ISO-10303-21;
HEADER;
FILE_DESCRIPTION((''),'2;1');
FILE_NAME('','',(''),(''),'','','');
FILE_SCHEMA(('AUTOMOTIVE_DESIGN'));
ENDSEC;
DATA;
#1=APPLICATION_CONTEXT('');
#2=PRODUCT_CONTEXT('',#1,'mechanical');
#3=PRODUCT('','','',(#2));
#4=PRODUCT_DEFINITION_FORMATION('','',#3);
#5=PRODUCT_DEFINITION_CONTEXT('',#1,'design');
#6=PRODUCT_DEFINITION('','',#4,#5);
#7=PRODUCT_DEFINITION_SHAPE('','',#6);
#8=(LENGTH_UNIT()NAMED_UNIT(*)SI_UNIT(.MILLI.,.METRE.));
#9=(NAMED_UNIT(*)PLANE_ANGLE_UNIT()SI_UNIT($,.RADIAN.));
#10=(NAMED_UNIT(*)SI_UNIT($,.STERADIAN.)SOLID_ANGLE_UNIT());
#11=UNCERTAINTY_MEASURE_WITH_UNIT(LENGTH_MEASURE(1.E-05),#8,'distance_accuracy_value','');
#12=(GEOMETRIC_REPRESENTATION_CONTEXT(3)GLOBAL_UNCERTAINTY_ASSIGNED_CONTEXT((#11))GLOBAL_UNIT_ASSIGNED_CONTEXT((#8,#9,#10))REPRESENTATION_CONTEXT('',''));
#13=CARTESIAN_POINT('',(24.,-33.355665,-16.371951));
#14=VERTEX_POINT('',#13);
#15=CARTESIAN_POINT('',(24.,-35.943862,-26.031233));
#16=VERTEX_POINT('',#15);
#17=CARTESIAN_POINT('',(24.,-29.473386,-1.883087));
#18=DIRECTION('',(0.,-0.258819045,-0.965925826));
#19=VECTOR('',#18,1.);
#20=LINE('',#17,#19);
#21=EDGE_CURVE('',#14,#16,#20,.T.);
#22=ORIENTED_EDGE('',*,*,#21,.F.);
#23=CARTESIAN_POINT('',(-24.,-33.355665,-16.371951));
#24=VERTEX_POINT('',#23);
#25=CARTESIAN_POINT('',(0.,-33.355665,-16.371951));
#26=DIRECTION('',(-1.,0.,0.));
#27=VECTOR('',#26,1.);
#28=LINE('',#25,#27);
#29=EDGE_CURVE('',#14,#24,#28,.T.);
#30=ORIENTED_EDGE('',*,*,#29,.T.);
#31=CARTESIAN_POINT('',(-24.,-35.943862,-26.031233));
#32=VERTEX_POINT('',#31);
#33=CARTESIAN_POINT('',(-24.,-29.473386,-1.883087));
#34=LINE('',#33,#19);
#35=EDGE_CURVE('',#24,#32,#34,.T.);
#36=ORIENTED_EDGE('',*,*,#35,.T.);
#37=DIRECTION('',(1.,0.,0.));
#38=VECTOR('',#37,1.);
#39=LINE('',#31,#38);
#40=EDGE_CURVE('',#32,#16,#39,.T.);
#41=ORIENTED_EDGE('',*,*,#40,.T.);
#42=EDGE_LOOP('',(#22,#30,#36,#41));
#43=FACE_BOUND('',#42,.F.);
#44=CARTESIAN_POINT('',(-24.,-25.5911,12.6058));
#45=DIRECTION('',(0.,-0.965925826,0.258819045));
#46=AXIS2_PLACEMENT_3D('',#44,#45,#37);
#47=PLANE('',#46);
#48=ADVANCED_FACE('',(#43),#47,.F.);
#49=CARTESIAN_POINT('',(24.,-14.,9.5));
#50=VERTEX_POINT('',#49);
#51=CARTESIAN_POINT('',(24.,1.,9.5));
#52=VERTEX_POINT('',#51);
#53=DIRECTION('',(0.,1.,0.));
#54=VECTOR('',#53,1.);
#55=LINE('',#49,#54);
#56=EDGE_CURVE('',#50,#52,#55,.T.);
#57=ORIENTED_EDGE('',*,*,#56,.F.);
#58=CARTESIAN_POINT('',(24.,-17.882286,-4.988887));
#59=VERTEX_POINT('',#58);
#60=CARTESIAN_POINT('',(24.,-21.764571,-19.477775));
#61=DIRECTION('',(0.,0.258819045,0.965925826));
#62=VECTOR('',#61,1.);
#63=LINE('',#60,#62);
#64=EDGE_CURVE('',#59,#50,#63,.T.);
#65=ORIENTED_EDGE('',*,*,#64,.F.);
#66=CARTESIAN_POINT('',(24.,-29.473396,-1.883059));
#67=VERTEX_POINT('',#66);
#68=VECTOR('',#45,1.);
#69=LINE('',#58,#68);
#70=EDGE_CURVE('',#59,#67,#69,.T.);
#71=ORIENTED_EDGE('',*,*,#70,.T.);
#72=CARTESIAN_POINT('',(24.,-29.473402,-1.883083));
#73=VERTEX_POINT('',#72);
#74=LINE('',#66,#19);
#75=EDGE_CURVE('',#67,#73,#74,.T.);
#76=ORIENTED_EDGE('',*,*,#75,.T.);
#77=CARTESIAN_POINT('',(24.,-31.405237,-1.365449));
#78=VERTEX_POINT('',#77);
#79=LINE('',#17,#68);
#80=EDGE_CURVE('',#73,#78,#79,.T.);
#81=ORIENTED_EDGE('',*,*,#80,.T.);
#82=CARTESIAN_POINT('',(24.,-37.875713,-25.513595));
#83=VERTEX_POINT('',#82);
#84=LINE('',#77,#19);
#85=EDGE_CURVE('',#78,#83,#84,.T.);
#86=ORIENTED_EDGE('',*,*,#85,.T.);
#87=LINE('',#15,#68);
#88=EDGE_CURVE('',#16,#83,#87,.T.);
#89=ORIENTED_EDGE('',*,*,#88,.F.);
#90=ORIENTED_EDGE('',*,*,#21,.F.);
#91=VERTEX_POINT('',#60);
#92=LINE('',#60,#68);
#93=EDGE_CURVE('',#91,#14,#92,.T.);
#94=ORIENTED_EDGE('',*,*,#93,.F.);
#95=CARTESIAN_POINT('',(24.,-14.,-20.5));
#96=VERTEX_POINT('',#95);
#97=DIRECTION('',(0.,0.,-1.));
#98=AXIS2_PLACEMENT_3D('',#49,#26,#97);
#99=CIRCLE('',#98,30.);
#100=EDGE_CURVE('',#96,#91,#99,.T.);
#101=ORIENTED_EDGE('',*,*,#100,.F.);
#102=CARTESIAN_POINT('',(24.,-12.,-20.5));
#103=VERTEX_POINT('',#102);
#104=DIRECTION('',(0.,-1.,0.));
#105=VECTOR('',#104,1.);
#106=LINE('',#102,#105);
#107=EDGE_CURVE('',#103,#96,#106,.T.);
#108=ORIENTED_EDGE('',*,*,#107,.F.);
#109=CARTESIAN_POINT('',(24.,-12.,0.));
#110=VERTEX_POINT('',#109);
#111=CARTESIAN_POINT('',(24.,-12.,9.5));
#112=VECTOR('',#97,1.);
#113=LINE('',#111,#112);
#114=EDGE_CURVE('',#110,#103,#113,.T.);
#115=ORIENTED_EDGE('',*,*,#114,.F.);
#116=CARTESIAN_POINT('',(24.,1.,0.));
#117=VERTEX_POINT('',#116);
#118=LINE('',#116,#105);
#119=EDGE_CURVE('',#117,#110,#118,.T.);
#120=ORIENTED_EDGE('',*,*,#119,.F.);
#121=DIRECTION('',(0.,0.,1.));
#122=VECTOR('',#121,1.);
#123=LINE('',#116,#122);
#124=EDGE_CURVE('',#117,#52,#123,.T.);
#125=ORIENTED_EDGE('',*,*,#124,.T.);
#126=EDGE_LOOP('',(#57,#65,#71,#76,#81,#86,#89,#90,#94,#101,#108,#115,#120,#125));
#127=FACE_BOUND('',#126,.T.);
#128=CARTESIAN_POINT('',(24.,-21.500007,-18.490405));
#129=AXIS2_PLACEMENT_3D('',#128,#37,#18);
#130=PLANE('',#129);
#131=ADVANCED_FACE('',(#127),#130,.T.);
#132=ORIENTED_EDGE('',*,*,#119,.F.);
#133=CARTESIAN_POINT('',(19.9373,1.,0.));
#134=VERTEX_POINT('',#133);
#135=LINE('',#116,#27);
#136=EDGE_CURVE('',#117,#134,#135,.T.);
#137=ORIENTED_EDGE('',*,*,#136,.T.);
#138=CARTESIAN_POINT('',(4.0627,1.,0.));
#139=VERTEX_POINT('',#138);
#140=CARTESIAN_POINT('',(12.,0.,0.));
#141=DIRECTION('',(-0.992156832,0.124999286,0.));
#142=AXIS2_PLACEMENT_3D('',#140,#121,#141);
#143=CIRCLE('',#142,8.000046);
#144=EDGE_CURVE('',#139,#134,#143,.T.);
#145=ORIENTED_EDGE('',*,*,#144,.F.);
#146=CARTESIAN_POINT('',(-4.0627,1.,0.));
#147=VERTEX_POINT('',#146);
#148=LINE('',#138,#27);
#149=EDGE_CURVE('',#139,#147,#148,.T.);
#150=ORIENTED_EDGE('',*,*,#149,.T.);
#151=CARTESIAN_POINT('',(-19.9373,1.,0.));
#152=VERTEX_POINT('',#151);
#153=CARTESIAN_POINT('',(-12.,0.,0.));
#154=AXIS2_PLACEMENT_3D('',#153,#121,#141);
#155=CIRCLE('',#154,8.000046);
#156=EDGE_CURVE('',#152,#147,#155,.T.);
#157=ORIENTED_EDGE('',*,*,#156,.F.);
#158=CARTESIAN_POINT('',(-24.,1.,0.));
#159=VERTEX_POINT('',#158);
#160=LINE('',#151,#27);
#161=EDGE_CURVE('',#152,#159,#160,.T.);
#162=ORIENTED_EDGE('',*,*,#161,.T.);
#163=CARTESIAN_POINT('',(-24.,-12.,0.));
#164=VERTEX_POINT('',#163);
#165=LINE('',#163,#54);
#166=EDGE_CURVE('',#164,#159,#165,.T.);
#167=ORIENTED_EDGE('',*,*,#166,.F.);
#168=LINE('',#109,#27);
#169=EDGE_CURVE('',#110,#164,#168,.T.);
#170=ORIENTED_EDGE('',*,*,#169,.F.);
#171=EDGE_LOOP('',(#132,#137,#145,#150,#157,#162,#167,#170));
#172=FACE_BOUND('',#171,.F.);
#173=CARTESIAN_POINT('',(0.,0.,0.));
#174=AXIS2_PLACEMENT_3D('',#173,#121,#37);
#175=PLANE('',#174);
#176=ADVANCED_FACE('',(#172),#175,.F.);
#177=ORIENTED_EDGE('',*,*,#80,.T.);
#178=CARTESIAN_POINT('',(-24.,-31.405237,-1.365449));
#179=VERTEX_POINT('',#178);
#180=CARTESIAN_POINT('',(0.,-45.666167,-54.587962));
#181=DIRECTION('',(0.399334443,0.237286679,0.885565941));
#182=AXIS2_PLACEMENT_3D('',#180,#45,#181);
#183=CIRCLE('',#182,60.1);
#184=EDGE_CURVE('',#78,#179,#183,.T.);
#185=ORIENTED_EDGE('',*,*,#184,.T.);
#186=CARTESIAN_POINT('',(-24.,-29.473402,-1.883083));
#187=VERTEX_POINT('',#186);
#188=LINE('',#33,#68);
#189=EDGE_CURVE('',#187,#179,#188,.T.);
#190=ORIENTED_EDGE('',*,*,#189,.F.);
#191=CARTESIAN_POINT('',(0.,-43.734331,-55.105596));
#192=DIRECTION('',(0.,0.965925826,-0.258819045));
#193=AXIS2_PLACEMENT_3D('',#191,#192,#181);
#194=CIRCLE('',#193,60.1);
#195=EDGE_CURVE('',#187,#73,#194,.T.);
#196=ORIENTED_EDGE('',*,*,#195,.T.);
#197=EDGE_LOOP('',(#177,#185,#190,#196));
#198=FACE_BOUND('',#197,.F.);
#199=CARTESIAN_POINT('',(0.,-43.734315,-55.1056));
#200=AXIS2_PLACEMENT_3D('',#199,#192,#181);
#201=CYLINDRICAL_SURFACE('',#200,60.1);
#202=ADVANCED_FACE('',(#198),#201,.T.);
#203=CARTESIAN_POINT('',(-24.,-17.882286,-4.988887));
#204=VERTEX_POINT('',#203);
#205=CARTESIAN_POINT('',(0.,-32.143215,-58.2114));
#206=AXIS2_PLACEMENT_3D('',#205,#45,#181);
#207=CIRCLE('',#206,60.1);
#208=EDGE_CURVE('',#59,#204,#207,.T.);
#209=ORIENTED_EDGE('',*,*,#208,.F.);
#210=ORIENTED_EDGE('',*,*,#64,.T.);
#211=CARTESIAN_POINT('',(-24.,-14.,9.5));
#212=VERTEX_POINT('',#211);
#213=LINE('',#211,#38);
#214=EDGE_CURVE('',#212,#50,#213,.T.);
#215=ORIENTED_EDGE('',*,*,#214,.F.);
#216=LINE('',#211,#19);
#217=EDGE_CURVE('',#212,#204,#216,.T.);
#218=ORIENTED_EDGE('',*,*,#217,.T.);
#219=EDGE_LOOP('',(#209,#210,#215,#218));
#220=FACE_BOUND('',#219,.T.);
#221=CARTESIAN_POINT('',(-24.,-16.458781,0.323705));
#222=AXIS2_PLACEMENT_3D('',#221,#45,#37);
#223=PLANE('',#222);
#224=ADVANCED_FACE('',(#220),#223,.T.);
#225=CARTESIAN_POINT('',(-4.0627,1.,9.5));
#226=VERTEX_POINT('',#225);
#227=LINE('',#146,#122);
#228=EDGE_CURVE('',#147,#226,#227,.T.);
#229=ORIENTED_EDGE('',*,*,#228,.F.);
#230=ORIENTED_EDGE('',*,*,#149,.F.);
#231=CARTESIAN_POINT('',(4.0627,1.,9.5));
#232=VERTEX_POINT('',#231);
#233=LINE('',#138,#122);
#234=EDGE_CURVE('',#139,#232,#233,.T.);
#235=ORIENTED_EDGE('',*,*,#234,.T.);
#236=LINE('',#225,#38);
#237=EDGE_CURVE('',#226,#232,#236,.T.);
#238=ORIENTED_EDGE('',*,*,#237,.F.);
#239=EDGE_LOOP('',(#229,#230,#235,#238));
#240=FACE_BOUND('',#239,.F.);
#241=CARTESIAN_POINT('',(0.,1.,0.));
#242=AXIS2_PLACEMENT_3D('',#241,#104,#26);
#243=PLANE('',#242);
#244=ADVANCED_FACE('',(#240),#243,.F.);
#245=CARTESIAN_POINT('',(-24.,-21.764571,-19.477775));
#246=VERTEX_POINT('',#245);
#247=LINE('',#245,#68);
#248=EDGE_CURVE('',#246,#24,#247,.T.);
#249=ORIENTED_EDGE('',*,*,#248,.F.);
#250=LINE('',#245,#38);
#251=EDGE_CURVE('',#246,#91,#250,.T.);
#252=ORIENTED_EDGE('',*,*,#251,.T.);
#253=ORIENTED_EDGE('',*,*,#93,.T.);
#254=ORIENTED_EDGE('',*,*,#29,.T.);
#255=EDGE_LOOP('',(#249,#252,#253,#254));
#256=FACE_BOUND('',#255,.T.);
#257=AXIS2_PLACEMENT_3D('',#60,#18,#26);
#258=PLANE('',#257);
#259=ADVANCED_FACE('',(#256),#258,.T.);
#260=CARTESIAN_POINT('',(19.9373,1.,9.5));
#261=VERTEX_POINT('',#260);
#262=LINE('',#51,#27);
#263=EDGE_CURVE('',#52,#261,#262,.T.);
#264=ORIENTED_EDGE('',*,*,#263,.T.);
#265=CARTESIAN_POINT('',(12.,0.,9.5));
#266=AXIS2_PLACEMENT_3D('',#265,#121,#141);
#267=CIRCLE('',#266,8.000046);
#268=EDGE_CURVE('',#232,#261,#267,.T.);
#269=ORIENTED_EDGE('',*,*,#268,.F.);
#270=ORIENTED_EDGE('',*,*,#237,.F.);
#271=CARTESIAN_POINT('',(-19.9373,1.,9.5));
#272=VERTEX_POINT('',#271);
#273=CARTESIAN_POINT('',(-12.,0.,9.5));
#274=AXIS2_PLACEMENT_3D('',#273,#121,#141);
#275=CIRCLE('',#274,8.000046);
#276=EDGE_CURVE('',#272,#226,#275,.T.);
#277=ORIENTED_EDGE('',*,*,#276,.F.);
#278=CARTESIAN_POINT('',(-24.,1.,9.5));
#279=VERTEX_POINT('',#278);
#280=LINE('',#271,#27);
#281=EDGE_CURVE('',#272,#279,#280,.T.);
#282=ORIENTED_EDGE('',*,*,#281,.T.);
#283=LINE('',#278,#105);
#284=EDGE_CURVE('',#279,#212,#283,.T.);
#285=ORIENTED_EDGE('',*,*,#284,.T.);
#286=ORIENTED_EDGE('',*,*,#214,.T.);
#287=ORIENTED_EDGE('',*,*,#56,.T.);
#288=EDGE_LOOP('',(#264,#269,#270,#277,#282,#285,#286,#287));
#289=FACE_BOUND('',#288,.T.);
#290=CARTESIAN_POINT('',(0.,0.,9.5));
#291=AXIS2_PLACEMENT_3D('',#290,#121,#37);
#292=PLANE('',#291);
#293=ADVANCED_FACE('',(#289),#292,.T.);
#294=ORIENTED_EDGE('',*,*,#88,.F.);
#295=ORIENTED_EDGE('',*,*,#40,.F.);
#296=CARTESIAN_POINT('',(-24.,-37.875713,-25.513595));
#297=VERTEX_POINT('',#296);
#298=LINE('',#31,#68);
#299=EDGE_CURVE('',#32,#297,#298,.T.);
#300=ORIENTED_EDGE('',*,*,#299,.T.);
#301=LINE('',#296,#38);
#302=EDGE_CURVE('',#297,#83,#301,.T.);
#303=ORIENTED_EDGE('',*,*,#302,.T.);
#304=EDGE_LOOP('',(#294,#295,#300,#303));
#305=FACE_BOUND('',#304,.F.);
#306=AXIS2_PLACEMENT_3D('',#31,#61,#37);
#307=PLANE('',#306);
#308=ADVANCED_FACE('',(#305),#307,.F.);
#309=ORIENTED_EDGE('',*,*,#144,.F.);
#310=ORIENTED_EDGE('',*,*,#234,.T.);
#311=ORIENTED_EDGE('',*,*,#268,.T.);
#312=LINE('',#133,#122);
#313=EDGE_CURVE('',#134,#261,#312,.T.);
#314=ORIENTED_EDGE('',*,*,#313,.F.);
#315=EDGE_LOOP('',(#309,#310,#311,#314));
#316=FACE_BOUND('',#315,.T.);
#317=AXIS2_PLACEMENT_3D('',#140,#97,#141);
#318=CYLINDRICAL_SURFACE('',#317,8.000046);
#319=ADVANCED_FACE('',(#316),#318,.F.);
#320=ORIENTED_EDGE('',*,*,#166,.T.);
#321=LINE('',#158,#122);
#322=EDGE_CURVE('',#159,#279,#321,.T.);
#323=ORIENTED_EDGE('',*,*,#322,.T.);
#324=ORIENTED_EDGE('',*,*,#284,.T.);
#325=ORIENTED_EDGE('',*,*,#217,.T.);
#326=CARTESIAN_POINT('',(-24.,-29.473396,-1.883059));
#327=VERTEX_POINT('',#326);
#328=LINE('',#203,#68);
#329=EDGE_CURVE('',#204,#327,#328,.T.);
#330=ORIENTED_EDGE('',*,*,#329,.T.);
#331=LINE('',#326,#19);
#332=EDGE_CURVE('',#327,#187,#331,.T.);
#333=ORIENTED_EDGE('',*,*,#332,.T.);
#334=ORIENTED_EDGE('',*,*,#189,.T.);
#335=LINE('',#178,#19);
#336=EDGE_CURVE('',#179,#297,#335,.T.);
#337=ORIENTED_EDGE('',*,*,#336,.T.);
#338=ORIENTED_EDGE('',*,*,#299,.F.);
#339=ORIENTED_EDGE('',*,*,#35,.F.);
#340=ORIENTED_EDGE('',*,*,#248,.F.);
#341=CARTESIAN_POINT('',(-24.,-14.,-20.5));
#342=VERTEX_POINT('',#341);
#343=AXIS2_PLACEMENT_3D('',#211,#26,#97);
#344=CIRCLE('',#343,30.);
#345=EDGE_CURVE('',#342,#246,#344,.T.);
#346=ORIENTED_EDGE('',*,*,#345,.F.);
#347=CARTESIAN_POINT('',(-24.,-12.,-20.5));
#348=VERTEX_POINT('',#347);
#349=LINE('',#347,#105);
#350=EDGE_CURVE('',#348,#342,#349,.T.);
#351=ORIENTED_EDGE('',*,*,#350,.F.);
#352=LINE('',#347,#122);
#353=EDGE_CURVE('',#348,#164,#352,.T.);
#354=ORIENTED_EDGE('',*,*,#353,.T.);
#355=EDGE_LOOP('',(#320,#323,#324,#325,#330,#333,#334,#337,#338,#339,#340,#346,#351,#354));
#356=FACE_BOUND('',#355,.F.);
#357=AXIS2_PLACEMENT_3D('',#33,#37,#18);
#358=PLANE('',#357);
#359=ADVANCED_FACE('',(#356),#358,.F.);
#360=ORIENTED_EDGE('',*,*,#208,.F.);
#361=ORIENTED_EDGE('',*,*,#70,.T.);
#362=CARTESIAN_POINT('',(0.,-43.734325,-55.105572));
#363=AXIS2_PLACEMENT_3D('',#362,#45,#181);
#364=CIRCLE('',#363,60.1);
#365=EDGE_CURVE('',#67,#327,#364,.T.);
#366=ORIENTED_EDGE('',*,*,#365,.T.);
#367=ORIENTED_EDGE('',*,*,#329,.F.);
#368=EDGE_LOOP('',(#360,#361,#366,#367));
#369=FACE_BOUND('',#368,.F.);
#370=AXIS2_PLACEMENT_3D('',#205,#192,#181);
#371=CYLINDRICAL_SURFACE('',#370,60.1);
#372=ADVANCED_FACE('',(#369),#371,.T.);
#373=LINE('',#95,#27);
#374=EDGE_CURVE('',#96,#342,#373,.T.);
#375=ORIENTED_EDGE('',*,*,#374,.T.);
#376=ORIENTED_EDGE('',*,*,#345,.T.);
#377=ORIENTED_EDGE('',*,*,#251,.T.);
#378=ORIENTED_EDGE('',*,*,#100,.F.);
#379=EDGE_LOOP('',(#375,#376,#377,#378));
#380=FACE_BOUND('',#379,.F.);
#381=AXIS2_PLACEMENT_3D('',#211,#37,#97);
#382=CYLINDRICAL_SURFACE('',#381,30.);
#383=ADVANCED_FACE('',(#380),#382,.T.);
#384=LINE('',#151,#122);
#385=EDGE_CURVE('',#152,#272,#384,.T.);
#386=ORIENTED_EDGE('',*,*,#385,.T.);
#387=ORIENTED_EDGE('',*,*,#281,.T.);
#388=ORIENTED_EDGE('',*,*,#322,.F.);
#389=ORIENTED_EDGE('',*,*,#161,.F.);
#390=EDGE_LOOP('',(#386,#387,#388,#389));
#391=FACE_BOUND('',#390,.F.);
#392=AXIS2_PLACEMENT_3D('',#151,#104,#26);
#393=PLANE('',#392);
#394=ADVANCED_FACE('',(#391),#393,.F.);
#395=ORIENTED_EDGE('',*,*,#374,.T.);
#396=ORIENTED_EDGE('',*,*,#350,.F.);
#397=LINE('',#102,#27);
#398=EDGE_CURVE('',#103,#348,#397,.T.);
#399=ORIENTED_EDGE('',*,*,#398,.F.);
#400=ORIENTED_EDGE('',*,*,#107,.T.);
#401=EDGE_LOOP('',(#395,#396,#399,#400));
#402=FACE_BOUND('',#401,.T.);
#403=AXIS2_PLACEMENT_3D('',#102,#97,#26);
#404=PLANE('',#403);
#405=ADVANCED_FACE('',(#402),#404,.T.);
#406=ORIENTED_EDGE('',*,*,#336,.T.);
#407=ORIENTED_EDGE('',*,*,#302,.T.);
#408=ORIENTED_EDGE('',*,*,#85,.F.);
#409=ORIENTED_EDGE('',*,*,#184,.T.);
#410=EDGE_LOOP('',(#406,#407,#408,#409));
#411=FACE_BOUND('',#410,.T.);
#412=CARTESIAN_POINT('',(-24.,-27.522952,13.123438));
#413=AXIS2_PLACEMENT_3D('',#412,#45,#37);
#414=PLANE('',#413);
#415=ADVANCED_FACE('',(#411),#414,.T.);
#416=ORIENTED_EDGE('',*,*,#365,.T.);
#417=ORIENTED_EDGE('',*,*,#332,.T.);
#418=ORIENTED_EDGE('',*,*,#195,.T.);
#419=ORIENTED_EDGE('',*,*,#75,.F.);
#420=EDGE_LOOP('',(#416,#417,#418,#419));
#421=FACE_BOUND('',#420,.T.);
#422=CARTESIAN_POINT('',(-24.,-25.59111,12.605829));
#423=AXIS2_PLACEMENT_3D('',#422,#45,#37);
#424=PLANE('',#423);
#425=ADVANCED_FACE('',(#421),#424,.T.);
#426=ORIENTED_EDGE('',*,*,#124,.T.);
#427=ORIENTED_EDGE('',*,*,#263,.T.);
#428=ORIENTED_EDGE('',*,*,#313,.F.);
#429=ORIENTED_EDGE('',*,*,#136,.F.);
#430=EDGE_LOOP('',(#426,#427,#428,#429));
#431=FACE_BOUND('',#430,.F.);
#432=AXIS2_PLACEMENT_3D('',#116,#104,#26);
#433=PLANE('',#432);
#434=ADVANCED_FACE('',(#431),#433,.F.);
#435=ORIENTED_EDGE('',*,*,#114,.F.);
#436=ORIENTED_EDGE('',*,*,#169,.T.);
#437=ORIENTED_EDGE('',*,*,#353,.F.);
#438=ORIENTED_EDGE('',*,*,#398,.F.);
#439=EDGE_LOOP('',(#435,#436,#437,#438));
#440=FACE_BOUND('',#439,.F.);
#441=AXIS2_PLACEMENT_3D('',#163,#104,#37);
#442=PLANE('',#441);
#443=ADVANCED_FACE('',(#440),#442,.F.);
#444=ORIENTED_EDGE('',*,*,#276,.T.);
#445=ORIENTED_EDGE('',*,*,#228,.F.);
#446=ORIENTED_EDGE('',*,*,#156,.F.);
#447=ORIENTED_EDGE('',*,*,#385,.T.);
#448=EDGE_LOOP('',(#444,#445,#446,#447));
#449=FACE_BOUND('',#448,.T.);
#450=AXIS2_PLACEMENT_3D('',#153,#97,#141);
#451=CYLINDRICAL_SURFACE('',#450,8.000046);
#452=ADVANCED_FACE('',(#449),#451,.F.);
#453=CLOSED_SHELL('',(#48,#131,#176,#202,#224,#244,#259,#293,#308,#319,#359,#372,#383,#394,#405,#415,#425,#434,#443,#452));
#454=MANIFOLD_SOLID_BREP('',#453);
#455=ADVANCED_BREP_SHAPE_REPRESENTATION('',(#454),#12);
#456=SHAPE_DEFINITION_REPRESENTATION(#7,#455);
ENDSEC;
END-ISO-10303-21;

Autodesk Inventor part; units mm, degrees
ref_plane "YZ Plane" through (0, 0, 0) normal (1, 0, 0) x (0, 1, 0)
ref_plane "XZ Plane" through (0, 0, 0) normal (0, 1, 0) x (-1, 0, 0)
ref_plane "XY Plane" through (0, 0, 0) normal (0, 0, 1) x (1, 0, 0)
sketch "Sketch1" plane through (0, 0, 0) normal (0, 0, 1) x (1, 0, 0)
  arc A0 (-19.9373, 1) -> (-4.0627, 1) centre (-12, 0) ccw
  arc A1 (4.0627, 1) -> (19.9373, 1) centre (12, 0) ccw
  line L0 (0, 1) -> (-4.0627, 1)
  line L1 (0, 1) -> (4.0627, 1)
  line L2 (-24, 0) -> (-24, 1)
  line L3 (-19.9373, 1) -> (-24, 1)
  line L4 (24, 0) -> (24, 1)
  line L5 (24, 1) -> (19.9373, 1)
  line L6 (24, 0) -> (24, -12)
  line L7 (24, -12) -> (-24, -12)
  line L8 (-24, -12) -> (-24, 0)
  line L9 (24, 1) -> (24, -12)
  line L10 (24, -12) -> (-24, -12)
  line L11 (-24, -12) -> (-24, 1)
  line L12 (-24, 1) -> (-19.9373, 1)
  line L13 (-4.0627, 1) -> (4.0627, 1)
  line L14 (19.9373, 1) -> (24, 1)
  point P0 (0, 0)
  dimension "d4" = 12
  dimension "d5" = 12
  dimension "d6" = 1
  dimension "d7" = 12
extrude "Extrusion1" add sketch "Sketch1" along normal blind 9.5
sketch "Sketch2" plane through (-24, -12, 0) normal (0, -1, 0) x (1, 0, 0)
  line L0 (0, 9.5) -> (48, 9.5) projected
  line L1 (0, 9.5) -> (48, 9.5)
  line L2 (48, 9.5) -> (48, -20.5)
  line L3 (48, -20.5) -> (0, -20.5)
  line L4 (0, -20.5) -> (0, 9.5)
  point P0 (24, 0)
  dimension "d10" = 30
extrude "Extrusion2" add sketch "Sketch2" along normal blind 2
sketch "Sketch3" plane through (-24, -14, 0) normal (0, -1, 0) x (1, 0, 0)
  line L0 (48, 9.5) -> (0, 9.5) projected
  line L1 (0, 9.5) -> (0, -20.5) projected
  line L2 (0, -20.5) -> (48, -20.5) projected
  line L3 (48, -20.5) -> (48, 9.5) projected
  point P0 (24, 0)
revolve "Revolution1" add sketch "Sketch3" angle 15 about axis through (24, -14, 9.5) along (-1, 0, 0)
sketch "Sketch4" plane through (-24, -14, 9.5) normal (0, -0.9659, 0.2588) x (1, 0, 0)
  line L0 (48, -28.9778) -> (48, -30) projected
  line L1 (48, -30) -> (0, -30)
  line L2 (0, -30) -> (0, -15)
  line L3 (48, -15) -> (48, -30)
  line L4 (48, -8.6587) -> (48, -28.4601) projected
  line L5 (0, -28.4601) -> (0, -8.6587) projected
  arc A0 (48, -15) -> (0, -15) centre (24, -70.1) ccw
  point P0 (24, -5.5528)
extrude "Extrusion3" add sketch "Sketch4" along normal blind 12
sketch "Sketch5" plane through (-24, -25.5911, 12.6058) normal (0, -0.9659, 0.2588) x (1, 0, 0)
  arc A0 (48, -15) -> (0, -15) centre (24, -70.1) ccw projected
  arc A1 (48, -15) -> (0, -15) centre (24, -70.1) ccw
  line L0 (48, -15) -> (48, -40)
  line L1 (0, -15) -> (0, -40)
  line L2 (0, -40) -> (48, -40)
  point P0 (24, -5.5528)
  dimension "d19" = 25
  dimension "d20" = 25
extrude "Extrusion4" add sketch "Sketch5" along normal blind 2
properties part number "HatSensorMount02FB"
